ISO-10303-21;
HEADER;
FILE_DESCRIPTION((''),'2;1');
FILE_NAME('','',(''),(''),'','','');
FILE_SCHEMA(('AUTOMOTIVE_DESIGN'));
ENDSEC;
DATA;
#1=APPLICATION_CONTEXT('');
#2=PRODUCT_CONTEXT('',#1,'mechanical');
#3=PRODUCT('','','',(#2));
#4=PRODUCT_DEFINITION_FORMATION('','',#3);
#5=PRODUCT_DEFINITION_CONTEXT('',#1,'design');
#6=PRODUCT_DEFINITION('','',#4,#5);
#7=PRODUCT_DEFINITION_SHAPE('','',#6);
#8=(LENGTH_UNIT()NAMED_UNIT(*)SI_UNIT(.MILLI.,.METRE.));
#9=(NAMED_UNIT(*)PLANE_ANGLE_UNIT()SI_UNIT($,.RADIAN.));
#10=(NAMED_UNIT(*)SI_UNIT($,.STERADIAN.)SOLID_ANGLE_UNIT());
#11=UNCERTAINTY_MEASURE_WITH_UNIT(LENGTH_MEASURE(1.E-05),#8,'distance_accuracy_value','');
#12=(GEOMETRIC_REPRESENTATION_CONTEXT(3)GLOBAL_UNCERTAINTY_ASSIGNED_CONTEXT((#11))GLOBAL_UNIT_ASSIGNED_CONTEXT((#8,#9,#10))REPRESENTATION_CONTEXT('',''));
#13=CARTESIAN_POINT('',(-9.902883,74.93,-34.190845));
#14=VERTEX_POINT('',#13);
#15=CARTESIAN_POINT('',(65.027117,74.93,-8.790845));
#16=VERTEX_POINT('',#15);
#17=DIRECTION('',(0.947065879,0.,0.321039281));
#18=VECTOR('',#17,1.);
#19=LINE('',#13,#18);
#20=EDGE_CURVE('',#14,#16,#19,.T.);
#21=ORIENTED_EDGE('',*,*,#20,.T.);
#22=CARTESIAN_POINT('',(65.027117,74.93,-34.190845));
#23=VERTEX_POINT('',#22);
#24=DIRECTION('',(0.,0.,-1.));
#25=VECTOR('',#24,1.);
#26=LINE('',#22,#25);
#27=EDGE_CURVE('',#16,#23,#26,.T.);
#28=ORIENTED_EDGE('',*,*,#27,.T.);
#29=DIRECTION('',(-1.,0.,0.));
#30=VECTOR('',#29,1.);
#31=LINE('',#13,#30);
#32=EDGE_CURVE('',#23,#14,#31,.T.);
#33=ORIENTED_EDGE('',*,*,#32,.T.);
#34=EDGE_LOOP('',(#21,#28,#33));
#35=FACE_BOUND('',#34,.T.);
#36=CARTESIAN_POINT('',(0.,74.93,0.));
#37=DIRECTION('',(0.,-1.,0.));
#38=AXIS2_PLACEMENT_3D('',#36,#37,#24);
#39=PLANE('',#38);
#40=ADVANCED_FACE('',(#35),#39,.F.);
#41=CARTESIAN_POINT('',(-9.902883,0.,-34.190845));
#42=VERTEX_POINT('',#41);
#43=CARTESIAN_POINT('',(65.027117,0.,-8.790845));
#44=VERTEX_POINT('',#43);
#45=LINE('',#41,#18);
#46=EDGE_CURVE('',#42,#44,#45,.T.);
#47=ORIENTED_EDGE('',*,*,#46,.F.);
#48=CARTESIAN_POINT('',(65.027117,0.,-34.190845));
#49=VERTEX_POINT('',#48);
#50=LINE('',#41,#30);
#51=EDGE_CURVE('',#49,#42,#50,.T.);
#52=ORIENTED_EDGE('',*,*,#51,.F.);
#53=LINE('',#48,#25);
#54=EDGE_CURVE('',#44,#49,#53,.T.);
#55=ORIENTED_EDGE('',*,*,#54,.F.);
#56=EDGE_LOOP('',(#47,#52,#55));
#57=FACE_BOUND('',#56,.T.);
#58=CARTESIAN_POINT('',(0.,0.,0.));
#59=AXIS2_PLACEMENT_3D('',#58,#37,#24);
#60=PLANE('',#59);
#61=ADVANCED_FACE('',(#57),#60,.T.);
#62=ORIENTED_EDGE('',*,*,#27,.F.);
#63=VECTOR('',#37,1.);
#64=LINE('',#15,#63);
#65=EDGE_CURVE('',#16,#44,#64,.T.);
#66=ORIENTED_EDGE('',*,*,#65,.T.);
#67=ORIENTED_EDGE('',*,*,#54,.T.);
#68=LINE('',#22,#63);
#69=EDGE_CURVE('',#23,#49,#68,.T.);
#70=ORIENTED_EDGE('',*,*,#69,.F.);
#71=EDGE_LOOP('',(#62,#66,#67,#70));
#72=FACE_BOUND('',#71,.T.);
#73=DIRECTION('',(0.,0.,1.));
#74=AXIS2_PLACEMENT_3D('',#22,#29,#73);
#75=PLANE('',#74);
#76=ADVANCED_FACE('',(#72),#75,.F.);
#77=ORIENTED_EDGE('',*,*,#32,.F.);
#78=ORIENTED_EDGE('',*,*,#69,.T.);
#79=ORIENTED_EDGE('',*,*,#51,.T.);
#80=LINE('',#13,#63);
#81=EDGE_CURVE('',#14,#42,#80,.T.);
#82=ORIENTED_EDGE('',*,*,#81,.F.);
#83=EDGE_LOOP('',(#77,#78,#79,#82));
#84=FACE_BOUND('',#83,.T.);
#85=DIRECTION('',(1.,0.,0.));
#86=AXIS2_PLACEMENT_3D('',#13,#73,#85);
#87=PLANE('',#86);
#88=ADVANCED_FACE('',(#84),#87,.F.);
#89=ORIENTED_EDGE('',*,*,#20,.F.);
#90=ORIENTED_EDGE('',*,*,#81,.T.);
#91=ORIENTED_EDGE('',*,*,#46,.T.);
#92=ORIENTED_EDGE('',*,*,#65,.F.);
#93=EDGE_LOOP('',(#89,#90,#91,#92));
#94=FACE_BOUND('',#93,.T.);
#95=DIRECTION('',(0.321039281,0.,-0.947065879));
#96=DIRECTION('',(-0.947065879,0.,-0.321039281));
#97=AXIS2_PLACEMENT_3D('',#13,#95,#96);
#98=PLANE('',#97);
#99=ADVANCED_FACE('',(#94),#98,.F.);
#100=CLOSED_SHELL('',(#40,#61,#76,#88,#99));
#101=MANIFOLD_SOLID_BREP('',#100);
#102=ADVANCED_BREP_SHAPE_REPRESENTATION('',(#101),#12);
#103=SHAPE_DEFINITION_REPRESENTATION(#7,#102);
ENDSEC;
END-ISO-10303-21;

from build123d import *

# Parameters (mm, degrees)
BOSS_EXTRUDE2_DEPTH = 74.93


with BuildPart() as part:
    # Sketch1 → Boss-Extrude2 (new body)
    with BuildSketch(Plane(origin=(0, 0, 0), x_dir=(1, 0, 0), z_dir=(0, 1, 0))):
        Polygon((-9.902883232, 34.190845126), (65.027116768, 34.190845126), (65.027116768, 8.790845126), align=None)
    extrude(amount=BOSS_EXTRUDE2_DEPTH)


solid = part.part
